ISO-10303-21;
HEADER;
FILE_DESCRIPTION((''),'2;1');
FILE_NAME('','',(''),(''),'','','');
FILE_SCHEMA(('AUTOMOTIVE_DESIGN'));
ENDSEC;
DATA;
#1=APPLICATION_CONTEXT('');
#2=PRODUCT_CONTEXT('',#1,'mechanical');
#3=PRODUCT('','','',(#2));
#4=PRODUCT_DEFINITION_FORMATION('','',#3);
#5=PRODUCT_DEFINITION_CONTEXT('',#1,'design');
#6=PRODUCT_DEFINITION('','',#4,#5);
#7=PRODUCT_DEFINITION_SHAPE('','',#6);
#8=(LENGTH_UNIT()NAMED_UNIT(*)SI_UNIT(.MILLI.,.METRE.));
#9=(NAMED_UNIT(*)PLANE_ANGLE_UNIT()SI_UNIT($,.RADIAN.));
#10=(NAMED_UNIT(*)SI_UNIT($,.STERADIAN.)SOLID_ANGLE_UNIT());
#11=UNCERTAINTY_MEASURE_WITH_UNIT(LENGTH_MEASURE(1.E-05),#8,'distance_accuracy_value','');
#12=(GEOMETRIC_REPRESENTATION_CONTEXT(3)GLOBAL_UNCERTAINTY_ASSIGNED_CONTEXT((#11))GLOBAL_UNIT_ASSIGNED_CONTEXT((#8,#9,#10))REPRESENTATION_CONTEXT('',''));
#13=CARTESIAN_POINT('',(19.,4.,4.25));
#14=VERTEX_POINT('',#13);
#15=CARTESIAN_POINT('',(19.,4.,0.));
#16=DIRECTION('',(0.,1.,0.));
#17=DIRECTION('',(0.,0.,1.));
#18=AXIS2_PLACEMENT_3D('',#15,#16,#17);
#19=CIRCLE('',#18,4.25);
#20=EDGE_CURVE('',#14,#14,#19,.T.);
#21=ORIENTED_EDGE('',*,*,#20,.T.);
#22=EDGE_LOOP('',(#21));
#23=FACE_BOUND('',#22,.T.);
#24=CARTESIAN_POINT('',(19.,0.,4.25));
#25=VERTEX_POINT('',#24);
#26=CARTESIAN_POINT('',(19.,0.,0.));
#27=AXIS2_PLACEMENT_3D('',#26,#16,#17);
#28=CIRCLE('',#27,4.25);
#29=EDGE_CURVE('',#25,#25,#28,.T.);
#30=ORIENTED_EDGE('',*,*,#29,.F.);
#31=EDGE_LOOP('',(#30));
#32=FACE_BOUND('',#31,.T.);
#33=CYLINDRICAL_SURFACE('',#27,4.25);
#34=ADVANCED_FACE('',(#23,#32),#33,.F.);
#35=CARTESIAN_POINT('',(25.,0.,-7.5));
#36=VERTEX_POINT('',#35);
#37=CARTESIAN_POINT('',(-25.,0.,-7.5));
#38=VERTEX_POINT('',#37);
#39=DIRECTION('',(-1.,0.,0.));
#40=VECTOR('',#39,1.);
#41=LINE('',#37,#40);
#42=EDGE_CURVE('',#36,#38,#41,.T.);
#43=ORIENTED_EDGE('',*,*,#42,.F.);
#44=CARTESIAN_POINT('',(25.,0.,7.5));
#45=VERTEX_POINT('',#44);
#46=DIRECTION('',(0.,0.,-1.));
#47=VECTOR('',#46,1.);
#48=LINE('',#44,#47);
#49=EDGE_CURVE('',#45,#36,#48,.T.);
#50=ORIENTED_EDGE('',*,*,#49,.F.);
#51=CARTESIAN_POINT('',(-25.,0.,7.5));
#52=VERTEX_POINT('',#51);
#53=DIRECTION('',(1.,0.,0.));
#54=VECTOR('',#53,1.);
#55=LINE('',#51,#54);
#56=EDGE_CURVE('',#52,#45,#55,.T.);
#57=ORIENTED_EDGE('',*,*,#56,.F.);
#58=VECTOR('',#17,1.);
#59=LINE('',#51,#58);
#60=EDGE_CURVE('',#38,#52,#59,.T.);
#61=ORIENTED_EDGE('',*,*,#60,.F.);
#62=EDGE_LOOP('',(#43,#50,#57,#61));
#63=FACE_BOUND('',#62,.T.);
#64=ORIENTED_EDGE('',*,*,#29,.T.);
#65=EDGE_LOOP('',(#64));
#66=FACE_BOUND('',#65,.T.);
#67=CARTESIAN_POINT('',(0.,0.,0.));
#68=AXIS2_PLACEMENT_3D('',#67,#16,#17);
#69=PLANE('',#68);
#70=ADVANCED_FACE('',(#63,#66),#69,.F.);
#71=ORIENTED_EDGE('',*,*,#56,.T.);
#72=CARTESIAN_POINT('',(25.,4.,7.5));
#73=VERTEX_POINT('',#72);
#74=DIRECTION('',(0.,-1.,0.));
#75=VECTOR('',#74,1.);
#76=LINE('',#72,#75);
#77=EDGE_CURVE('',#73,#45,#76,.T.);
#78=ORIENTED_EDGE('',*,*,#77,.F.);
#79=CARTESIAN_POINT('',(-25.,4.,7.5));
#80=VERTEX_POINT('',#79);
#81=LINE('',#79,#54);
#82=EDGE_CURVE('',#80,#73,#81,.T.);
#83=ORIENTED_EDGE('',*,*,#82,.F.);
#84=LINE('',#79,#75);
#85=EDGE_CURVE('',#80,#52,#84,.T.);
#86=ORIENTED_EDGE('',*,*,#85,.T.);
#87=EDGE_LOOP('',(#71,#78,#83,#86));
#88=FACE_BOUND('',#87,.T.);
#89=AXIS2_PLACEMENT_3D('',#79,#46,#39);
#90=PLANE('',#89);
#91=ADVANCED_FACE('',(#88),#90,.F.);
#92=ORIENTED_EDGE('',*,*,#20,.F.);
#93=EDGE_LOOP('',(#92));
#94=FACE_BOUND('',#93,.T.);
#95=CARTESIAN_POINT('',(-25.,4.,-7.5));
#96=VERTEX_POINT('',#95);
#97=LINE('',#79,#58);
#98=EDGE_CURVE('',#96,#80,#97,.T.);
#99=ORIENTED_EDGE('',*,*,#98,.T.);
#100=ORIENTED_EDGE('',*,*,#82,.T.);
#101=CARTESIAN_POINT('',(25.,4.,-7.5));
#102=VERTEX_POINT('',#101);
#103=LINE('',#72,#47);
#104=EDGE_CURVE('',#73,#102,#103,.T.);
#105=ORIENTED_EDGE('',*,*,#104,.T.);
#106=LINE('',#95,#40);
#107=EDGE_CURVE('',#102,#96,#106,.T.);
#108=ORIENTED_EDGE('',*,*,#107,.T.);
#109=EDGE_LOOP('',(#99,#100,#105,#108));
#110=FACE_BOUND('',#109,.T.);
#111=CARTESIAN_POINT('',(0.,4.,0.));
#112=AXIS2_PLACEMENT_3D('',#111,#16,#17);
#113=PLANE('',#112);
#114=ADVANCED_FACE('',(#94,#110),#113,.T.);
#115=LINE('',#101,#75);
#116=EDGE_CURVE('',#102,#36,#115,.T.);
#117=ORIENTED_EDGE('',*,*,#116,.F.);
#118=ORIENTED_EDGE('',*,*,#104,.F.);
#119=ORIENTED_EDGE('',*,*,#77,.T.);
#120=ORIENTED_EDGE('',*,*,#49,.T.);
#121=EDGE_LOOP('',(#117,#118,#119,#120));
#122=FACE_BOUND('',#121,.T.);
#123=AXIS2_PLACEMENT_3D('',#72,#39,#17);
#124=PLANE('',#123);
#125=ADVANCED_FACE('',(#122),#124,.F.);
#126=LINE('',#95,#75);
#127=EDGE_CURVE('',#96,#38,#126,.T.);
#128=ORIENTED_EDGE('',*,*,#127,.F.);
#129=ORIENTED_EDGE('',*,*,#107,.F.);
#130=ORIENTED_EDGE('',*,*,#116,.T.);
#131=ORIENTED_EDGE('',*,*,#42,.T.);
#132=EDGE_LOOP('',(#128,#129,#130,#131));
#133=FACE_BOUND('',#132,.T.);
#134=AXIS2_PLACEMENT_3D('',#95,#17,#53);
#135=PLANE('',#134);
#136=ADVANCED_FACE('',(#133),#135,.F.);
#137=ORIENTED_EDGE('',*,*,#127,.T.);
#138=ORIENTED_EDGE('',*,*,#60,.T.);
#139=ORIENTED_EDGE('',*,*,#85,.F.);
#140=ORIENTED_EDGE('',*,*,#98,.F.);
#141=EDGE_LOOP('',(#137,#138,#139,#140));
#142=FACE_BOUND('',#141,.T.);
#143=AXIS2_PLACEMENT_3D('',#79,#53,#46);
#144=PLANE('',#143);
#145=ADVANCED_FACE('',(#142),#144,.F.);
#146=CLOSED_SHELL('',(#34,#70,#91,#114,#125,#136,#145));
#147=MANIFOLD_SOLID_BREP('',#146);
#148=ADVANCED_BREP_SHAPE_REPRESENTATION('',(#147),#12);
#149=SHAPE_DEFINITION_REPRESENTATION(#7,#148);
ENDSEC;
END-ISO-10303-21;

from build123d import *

# Parameters (mm, degrees)
SKETCH1_W           = 50
SKETCH1_H           = 15
BOSS_EXTRUDE1_DEPTH = 4
SKETCH2_R           = 4.25
CUT_EXTRUDE1_DEPTH  = 5


with BuildPart() as part:
    # Sketch1 → Boss-Extrude1 (new body)
    with BuildSketch(Plane(origin=(0, 0, 0), x_dir=(1, 0, 0), z_dir=(0, 1, 0))):
        Rectangle(SKETCH1_W, SKETCH1_H)
    extrude(amount=BOSS_EXTRUDE1_DEPTH)

    # Sketch2 → Cut-Extrude1 (cut, through all)
    with BuildSketch(Plane(origin=(0, 4, 0), x_dir=(1, 0, 0), z_dir=(0, 1, 0))):
        with Locations((19, 0)):
            Circle(SKETCH2_R)
    extrude(amount=-CUT_EXTRUDE1_DEPTH, mode=Mode.SUBTRACT)


solid = part.part
